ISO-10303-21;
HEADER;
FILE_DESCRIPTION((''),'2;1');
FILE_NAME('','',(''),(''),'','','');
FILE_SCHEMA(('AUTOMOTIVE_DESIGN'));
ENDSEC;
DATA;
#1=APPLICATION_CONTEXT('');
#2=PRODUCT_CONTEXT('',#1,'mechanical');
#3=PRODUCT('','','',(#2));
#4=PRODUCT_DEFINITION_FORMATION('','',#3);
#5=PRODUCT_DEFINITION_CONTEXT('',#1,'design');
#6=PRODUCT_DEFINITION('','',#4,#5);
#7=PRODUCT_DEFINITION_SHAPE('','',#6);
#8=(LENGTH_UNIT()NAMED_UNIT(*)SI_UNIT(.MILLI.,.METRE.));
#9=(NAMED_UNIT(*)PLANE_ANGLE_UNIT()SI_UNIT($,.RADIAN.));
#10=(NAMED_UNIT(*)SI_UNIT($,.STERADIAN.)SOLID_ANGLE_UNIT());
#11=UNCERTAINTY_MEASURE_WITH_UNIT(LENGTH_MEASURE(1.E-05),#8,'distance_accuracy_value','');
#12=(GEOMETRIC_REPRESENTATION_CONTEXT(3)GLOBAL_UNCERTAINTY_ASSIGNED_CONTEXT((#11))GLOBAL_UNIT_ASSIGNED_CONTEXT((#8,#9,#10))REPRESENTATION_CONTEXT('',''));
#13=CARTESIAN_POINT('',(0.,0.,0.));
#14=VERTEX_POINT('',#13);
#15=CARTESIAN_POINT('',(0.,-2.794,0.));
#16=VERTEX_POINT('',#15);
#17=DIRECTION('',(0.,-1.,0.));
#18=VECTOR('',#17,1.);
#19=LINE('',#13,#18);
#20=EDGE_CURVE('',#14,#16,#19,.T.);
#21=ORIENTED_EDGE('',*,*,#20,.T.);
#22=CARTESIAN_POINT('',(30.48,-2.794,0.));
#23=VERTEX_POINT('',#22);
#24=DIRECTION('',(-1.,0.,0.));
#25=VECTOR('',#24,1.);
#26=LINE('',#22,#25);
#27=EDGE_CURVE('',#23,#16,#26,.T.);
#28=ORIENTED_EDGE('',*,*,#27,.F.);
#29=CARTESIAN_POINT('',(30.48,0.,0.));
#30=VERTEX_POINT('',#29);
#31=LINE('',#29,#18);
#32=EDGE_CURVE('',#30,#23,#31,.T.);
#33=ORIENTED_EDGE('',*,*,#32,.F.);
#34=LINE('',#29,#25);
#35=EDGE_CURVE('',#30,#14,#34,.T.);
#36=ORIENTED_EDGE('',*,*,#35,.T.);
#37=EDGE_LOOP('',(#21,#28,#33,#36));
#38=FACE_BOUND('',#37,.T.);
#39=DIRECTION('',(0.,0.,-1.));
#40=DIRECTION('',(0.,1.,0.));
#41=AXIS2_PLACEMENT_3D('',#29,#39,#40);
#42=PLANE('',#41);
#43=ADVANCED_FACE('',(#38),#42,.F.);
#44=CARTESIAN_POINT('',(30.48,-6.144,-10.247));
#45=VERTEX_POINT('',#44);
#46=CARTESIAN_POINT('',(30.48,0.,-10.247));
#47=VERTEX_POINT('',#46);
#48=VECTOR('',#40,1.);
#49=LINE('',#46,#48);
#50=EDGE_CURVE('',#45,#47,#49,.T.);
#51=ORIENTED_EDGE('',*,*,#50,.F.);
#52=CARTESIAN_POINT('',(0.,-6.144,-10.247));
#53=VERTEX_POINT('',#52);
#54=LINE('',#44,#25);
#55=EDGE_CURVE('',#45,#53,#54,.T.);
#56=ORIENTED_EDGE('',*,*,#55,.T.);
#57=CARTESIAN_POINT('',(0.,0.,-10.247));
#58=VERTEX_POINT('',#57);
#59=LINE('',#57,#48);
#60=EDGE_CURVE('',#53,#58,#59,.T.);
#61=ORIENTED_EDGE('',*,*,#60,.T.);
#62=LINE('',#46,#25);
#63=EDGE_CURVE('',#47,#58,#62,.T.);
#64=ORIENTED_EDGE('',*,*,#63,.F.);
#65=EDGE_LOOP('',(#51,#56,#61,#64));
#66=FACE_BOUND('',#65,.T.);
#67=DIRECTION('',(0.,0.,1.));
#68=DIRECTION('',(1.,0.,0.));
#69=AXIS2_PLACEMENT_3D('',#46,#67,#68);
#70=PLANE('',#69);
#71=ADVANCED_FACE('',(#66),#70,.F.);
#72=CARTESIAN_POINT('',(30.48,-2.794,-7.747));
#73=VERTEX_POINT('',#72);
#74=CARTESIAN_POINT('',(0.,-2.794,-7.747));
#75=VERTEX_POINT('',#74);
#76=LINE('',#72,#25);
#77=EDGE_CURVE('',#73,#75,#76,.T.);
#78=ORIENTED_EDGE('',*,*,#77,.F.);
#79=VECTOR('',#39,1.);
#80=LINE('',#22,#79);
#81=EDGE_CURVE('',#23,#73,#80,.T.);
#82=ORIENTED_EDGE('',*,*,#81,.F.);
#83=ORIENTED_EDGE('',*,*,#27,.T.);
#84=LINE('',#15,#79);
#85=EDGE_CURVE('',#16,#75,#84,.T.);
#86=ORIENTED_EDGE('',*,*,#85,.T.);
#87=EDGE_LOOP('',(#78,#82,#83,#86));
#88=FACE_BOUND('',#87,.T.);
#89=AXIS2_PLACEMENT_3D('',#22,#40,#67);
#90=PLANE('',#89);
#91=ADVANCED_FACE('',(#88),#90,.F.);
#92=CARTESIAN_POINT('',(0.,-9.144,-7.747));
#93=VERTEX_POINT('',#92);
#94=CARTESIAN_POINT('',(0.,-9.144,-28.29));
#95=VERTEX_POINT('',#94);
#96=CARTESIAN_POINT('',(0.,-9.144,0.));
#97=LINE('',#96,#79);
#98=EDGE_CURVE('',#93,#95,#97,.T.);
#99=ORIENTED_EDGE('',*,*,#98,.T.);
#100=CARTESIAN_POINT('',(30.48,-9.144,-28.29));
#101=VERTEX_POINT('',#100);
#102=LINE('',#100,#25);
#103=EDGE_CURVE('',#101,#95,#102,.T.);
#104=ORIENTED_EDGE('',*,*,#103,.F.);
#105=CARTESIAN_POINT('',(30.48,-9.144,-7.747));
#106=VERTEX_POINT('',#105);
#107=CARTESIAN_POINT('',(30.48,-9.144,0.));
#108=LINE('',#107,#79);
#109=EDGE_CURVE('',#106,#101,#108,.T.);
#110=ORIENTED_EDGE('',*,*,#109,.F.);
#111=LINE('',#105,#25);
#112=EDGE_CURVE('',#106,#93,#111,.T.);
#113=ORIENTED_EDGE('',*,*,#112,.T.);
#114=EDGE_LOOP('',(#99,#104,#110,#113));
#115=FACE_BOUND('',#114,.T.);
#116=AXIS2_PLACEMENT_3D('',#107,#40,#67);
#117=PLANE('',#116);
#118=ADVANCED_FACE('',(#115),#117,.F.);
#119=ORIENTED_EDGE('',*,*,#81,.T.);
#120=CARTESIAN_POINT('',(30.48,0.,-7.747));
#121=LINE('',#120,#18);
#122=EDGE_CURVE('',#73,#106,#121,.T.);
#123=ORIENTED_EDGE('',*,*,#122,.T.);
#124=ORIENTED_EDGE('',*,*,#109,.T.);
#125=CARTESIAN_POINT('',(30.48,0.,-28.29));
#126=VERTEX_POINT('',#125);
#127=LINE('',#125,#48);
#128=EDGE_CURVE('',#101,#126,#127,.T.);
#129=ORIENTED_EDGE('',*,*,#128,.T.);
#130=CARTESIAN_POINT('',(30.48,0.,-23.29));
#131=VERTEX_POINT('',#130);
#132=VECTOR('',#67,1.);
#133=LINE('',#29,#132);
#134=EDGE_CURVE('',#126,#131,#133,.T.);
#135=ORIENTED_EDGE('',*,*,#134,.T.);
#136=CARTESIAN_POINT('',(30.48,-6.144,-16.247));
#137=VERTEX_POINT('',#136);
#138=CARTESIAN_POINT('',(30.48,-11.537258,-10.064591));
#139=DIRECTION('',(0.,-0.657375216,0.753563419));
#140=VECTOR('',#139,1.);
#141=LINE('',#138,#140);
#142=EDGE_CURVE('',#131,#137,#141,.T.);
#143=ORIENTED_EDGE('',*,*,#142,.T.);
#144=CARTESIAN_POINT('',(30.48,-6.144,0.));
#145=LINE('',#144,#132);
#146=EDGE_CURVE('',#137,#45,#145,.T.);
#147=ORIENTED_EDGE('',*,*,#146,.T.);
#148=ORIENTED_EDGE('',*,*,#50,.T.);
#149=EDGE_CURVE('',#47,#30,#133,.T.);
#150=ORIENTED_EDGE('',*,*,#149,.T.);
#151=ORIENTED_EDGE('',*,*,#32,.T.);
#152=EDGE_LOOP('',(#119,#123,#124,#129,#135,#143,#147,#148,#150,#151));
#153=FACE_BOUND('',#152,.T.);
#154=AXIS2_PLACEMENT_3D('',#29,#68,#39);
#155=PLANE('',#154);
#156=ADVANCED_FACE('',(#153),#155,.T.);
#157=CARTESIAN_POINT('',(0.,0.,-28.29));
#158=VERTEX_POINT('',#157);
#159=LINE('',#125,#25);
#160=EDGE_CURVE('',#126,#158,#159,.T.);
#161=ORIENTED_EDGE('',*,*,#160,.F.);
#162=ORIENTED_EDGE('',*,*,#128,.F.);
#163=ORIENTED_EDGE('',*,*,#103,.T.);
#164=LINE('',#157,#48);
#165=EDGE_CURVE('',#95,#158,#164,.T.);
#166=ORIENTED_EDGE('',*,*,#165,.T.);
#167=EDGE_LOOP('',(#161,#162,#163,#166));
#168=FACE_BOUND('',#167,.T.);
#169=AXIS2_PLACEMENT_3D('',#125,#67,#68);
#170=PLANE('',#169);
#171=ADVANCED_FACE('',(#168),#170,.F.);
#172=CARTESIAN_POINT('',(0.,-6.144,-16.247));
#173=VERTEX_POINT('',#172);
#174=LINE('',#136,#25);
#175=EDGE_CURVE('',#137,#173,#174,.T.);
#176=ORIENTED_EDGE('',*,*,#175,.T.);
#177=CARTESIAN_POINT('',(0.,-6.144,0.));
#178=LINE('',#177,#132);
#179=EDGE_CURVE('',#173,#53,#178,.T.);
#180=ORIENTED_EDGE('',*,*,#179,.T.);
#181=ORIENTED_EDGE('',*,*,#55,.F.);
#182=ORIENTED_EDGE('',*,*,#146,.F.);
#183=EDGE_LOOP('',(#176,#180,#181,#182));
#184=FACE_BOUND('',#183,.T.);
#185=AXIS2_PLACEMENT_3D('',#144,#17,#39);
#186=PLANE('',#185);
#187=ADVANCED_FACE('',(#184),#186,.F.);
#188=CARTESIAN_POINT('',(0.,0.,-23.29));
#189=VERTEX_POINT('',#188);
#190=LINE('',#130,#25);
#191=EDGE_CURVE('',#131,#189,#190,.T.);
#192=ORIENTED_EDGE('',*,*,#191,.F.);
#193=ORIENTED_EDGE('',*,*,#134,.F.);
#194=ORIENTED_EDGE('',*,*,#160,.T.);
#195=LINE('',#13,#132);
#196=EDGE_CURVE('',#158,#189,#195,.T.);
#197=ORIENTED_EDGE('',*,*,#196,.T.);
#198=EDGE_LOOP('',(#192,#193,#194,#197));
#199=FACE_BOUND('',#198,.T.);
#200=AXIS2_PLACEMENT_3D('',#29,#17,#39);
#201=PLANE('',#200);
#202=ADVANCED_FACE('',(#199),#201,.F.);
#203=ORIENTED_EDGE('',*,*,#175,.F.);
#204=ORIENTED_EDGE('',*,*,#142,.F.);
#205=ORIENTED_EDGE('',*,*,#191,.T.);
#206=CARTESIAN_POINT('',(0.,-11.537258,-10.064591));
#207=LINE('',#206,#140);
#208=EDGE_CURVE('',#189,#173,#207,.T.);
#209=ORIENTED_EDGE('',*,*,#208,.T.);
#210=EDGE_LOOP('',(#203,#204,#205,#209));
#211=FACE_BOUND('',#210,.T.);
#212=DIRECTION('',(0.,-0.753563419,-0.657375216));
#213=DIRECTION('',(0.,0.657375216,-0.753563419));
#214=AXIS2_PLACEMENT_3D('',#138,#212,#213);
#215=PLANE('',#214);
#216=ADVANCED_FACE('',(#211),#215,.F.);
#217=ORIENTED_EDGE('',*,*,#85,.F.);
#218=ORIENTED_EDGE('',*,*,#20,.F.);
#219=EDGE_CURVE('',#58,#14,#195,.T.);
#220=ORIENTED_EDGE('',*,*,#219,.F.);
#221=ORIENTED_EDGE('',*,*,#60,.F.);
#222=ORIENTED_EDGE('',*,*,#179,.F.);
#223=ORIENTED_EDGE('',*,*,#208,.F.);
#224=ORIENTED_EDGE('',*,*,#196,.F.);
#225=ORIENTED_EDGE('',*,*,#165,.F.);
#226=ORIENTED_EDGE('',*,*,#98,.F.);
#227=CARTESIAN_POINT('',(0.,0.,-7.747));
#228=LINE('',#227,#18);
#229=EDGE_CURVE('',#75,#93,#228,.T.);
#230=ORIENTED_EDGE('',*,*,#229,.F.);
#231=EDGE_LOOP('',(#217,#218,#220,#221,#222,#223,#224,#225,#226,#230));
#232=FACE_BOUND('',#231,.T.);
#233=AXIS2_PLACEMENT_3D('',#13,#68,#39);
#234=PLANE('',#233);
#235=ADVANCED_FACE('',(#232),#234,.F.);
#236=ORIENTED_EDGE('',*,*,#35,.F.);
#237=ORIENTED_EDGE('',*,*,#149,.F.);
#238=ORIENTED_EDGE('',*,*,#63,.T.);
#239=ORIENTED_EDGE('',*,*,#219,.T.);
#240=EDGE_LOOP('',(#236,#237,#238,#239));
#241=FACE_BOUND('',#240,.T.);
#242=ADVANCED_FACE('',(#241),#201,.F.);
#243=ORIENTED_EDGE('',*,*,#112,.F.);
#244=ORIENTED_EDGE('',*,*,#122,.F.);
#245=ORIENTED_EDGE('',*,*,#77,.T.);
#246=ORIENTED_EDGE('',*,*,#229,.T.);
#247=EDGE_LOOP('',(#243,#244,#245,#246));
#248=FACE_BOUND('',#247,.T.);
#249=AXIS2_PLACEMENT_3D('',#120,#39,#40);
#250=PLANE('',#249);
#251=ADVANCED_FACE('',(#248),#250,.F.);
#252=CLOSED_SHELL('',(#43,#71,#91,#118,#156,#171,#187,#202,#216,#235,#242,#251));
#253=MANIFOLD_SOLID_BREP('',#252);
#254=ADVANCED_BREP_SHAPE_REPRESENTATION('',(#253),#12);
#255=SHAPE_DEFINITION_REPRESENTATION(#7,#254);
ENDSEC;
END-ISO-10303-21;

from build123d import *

# Parameters (mm, degrees)
BOSS_EXTRUDE1_DEPTH = 30.48


with BuildPart() as part:
    # Sketch1 → Boss-Extrude1 (new body)
    with BuildSketch(Plane(origin=(0, 0, 0), x_dir=(0, 0, -1), z_dir=(1, 0, 0))):
        Polygon((10.247, -6.144), (10.247, 0), (0, 0), (0, -2.794), (7.747, -2.794), (7.747, -9.144), (28.29, -9.144), (28.29, 0), (23.29, 0), (16.247, -6.144), align=None)
    extrude(amount=BOSS_EXTRUDE1_DEPTH)


solid = part.part
